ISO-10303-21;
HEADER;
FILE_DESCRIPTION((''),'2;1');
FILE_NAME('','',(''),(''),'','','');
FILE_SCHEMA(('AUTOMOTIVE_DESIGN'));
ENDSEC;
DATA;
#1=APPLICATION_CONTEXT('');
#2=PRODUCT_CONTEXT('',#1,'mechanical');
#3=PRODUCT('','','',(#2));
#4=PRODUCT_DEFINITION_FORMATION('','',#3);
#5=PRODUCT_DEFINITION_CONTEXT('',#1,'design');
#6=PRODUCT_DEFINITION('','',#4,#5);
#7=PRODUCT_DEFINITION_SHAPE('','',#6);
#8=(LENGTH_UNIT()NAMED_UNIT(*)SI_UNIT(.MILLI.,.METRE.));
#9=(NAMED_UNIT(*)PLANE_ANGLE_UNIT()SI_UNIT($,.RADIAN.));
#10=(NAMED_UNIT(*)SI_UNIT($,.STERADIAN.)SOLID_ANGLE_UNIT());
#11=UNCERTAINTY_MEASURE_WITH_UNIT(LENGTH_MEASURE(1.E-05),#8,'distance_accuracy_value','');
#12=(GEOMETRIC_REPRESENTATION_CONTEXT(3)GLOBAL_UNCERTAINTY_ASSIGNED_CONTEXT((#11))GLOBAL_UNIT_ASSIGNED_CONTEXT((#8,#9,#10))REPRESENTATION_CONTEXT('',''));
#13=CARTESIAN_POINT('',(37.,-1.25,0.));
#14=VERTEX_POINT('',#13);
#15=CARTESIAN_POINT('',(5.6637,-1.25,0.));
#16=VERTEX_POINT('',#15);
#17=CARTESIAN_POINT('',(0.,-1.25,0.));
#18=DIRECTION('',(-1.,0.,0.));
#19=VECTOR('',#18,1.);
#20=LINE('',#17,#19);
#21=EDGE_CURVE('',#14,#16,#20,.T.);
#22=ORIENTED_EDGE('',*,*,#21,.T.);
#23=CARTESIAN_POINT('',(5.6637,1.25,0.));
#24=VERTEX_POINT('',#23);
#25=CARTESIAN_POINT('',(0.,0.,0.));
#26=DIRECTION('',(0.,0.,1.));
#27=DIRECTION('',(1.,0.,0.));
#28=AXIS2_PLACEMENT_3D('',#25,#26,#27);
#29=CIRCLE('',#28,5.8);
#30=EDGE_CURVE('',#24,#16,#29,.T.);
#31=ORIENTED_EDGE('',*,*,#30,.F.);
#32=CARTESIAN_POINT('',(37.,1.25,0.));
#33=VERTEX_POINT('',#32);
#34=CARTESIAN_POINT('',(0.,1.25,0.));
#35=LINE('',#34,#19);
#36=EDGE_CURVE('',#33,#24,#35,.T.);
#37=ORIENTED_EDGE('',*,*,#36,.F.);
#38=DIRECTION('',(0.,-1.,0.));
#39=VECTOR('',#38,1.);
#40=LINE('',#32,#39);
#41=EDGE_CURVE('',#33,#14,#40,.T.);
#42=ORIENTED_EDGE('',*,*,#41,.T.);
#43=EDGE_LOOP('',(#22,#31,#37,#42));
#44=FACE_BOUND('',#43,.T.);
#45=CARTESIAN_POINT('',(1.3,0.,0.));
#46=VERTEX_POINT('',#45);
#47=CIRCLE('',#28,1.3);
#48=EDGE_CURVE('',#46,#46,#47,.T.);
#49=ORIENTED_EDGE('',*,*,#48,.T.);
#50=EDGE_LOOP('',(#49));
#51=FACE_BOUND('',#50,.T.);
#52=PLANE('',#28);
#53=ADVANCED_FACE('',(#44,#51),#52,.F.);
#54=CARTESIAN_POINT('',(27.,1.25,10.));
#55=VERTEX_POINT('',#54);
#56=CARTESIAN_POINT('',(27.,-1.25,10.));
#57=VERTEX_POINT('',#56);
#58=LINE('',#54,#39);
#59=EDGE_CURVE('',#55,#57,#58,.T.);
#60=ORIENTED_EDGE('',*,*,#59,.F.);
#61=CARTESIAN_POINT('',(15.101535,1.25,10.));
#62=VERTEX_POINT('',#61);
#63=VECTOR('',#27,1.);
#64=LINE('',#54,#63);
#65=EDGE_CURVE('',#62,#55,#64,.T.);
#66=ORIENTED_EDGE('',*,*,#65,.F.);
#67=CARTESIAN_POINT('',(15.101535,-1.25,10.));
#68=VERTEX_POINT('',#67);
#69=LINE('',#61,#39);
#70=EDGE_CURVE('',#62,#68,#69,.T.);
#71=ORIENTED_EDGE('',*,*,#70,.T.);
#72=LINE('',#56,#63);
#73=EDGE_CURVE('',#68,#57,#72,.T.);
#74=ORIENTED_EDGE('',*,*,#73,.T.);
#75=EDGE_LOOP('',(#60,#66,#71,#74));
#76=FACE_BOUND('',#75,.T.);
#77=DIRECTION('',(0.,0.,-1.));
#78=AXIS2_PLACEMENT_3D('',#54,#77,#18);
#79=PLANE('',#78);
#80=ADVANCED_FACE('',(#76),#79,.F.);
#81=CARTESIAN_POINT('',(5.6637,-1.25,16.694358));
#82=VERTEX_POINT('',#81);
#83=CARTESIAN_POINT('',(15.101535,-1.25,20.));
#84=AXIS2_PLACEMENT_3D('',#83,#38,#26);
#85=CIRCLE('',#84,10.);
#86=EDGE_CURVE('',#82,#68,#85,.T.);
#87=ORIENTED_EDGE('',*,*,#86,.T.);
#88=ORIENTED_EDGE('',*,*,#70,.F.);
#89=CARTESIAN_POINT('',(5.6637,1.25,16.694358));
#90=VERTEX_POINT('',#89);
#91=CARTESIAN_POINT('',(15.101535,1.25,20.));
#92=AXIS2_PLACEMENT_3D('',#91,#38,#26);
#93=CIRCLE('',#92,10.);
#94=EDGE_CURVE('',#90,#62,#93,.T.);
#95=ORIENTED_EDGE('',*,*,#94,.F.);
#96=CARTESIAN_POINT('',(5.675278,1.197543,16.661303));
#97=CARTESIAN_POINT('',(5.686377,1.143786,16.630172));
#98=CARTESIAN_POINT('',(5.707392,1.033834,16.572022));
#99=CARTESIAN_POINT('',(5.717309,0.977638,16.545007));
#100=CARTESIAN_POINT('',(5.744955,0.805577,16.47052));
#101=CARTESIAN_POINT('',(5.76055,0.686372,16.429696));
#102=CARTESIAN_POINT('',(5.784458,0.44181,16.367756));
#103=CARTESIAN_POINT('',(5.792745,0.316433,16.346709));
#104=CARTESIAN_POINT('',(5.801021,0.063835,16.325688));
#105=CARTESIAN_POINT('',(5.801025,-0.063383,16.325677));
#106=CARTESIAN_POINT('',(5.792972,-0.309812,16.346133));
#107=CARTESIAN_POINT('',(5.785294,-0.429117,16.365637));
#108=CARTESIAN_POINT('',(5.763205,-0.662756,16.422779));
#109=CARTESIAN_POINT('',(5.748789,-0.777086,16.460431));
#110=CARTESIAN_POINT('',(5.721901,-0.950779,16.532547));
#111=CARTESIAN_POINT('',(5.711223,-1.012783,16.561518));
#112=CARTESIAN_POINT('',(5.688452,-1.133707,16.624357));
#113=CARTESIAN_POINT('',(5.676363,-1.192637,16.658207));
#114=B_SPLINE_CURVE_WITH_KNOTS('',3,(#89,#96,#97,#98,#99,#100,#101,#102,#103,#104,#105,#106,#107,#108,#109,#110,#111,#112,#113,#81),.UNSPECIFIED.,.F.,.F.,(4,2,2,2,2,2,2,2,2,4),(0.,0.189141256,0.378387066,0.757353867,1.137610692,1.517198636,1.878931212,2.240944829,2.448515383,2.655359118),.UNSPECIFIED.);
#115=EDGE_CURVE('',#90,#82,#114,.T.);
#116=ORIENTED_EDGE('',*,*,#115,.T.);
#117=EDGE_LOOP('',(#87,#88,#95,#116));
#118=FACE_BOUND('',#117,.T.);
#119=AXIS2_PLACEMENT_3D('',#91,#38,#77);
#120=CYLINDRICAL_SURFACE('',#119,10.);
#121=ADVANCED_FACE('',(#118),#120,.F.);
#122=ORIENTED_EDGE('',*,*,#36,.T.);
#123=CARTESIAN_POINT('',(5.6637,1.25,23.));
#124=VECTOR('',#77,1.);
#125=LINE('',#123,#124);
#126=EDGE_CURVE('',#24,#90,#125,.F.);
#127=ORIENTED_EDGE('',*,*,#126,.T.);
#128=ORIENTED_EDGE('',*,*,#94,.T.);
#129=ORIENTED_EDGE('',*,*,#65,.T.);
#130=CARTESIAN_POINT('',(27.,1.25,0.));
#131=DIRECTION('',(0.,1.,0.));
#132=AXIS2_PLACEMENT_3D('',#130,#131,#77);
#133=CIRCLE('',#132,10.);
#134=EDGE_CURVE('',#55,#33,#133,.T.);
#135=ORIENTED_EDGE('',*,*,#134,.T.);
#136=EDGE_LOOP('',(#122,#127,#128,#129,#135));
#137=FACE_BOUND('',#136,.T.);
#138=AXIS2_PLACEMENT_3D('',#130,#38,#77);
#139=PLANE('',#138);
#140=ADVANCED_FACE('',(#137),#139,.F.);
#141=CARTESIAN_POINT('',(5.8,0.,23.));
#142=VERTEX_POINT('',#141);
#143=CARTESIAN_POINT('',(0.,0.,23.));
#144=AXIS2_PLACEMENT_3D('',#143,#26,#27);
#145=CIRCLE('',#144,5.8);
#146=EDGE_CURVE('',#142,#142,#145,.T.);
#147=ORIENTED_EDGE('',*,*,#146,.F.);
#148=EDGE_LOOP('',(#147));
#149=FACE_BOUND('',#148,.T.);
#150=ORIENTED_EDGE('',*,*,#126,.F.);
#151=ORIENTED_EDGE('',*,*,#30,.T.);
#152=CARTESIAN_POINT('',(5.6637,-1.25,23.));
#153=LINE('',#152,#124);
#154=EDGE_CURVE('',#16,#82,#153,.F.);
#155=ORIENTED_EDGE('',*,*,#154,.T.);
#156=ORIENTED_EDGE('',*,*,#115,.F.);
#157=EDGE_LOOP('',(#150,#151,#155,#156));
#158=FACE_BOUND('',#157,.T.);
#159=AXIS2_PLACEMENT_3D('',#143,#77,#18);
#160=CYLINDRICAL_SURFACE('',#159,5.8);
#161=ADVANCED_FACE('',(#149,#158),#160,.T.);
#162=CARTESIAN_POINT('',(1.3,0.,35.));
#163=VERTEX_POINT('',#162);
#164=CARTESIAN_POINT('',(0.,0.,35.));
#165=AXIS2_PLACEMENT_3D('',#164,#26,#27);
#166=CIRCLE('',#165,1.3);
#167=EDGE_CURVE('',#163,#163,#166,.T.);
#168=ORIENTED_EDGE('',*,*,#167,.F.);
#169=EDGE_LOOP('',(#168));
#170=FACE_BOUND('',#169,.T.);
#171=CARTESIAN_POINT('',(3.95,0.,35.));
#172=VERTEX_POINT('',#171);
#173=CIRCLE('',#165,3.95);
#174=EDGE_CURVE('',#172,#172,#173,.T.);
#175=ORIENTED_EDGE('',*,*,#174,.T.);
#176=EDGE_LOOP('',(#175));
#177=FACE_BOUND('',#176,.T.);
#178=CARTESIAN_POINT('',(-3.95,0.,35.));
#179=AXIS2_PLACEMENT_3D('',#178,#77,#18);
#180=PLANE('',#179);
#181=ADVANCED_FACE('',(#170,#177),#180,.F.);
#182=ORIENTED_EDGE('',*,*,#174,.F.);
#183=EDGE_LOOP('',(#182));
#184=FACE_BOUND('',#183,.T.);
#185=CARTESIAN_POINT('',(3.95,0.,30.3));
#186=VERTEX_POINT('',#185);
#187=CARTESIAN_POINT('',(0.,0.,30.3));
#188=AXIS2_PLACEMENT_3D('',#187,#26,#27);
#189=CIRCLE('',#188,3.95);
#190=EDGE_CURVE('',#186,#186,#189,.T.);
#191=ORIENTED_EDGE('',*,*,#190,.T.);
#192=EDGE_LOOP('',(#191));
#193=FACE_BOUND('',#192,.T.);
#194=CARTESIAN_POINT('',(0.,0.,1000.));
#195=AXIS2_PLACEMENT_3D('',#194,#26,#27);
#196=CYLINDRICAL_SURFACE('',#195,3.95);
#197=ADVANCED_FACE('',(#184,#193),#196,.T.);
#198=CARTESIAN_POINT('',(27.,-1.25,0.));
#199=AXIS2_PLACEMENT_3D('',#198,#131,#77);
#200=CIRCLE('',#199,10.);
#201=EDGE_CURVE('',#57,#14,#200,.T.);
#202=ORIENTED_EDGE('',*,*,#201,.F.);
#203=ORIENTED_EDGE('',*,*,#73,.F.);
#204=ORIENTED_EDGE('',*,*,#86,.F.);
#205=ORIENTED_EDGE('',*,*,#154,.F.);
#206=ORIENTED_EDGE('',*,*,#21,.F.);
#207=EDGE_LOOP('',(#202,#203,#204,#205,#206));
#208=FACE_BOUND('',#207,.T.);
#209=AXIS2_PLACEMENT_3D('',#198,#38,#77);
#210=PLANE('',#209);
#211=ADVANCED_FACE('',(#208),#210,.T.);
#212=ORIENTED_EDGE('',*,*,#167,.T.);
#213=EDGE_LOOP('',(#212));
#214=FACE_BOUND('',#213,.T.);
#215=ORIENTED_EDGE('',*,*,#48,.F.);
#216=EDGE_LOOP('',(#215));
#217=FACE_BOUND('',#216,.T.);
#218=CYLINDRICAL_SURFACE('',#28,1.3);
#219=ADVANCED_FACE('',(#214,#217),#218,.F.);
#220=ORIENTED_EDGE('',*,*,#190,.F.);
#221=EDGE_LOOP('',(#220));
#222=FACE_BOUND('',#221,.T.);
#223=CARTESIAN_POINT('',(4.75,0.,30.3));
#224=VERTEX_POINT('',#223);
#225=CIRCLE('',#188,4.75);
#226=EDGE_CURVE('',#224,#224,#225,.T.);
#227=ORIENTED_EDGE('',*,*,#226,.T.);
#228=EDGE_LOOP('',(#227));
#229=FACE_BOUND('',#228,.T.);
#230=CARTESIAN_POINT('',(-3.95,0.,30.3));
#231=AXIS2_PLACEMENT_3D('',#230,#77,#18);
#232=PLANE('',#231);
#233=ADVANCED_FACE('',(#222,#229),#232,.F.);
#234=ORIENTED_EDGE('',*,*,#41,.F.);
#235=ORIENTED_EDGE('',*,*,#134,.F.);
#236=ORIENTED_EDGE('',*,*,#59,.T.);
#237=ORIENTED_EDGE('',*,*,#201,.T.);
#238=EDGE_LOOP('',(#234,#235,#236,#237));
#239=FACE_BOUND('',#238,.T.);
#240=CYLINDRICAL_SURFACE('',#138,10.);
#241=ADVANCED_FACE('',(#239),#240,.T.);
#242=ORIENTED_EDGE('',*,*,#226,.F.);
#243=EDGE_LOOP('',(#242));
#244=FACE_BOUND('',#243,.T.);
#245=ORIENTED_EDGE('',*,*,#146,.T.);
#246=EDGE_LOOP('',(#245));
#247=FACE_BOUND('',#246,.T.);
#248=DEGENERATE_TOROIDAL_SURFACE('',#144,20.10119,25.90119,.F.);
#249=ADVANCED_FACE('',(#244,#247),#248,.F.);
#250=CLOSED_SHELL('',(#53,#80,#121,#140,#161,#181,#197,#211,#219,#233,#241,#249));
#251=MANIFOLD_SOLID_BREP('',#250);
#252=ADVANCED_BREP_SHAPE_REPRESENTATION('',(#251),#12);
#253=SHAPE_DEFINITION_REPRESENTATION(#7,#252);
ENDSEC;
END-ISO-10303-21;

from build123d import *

# Parameters (mm, degrees)
SKETCH1_R           = 5.8
BOSS_EXTRUDE1_DEPTH = 23
BOSS_EXTRUDE2_DEPTH = 1.25
SKETCH4_R           = 1.3
CUT_EXTRUDE1_DEPTH  = 36.0000001


with BuildPart() as part:
    # Sketch1 → Boss-Extrude1 (new body)
    with BuildSketch(Plane.XY):
        Circle(SKETCH1_R)
    extrude(amount=BOSS_EXTRUDE1_DEPTH)

    # Sketch2 → Boss-Extrude2 (add, symmetric)
    with BuildSketch(Plane(origin=(0, 0, 0), x_dir=(1, 0, 0), z_dir=(0, 1, 0))):
        with BuildLine():
            Line((0, 0), (37, 0))
            ThreePointArc((37, 0), (34.071067812, -7.071067812), (27, -10))
            Line((27, -10), (15.101535324, -10))
            ThreePointArc((15.101535324, -10), (8.030467512, -12.928932188), (5.101535324, -20))
            Line((5.101535324, -20), (0, -20))
            Line((0, -20), (0, 0))
        make_face()
    extrude(amount=BOSS_EXTRUDE2_DEPTH, both=True)

    # Sketch3 → Revolve1 (revolve)
    with BuildSketch(Plane(origin=(0, 0, 0), x_dir=(1, 0, 0), z_dir=(0, 1, 0))):
        with BuildLine():
            Line((0, -23), (-5.8, -23))
            ThreePointArc((-5.8, -23), (-5.536156171, -26.687563559), (-4.75, -30.3))
            Line((-4.75, -30.3), (-3.95, -30.3))
            Line((-3.95, -30.3), (-3.95, -35))
            Line((-3.95, -35), (0, -35))
            Line((0, -35), (0, -23))
        make_face()
    revolve(axis=Axis((0, 0, 1000), (0, 0, -1)))

    # Sketch4 → Cut-Extrude1 (cut, through all)
    with BuildSketch(Plane.XY.offset(35)):
        Circle(SKETCH4_R)
    extrude(amount=-CUT_EXTRUDE1_DEPTH, mode=Mode.SUBTRACT)


solid = part.part
